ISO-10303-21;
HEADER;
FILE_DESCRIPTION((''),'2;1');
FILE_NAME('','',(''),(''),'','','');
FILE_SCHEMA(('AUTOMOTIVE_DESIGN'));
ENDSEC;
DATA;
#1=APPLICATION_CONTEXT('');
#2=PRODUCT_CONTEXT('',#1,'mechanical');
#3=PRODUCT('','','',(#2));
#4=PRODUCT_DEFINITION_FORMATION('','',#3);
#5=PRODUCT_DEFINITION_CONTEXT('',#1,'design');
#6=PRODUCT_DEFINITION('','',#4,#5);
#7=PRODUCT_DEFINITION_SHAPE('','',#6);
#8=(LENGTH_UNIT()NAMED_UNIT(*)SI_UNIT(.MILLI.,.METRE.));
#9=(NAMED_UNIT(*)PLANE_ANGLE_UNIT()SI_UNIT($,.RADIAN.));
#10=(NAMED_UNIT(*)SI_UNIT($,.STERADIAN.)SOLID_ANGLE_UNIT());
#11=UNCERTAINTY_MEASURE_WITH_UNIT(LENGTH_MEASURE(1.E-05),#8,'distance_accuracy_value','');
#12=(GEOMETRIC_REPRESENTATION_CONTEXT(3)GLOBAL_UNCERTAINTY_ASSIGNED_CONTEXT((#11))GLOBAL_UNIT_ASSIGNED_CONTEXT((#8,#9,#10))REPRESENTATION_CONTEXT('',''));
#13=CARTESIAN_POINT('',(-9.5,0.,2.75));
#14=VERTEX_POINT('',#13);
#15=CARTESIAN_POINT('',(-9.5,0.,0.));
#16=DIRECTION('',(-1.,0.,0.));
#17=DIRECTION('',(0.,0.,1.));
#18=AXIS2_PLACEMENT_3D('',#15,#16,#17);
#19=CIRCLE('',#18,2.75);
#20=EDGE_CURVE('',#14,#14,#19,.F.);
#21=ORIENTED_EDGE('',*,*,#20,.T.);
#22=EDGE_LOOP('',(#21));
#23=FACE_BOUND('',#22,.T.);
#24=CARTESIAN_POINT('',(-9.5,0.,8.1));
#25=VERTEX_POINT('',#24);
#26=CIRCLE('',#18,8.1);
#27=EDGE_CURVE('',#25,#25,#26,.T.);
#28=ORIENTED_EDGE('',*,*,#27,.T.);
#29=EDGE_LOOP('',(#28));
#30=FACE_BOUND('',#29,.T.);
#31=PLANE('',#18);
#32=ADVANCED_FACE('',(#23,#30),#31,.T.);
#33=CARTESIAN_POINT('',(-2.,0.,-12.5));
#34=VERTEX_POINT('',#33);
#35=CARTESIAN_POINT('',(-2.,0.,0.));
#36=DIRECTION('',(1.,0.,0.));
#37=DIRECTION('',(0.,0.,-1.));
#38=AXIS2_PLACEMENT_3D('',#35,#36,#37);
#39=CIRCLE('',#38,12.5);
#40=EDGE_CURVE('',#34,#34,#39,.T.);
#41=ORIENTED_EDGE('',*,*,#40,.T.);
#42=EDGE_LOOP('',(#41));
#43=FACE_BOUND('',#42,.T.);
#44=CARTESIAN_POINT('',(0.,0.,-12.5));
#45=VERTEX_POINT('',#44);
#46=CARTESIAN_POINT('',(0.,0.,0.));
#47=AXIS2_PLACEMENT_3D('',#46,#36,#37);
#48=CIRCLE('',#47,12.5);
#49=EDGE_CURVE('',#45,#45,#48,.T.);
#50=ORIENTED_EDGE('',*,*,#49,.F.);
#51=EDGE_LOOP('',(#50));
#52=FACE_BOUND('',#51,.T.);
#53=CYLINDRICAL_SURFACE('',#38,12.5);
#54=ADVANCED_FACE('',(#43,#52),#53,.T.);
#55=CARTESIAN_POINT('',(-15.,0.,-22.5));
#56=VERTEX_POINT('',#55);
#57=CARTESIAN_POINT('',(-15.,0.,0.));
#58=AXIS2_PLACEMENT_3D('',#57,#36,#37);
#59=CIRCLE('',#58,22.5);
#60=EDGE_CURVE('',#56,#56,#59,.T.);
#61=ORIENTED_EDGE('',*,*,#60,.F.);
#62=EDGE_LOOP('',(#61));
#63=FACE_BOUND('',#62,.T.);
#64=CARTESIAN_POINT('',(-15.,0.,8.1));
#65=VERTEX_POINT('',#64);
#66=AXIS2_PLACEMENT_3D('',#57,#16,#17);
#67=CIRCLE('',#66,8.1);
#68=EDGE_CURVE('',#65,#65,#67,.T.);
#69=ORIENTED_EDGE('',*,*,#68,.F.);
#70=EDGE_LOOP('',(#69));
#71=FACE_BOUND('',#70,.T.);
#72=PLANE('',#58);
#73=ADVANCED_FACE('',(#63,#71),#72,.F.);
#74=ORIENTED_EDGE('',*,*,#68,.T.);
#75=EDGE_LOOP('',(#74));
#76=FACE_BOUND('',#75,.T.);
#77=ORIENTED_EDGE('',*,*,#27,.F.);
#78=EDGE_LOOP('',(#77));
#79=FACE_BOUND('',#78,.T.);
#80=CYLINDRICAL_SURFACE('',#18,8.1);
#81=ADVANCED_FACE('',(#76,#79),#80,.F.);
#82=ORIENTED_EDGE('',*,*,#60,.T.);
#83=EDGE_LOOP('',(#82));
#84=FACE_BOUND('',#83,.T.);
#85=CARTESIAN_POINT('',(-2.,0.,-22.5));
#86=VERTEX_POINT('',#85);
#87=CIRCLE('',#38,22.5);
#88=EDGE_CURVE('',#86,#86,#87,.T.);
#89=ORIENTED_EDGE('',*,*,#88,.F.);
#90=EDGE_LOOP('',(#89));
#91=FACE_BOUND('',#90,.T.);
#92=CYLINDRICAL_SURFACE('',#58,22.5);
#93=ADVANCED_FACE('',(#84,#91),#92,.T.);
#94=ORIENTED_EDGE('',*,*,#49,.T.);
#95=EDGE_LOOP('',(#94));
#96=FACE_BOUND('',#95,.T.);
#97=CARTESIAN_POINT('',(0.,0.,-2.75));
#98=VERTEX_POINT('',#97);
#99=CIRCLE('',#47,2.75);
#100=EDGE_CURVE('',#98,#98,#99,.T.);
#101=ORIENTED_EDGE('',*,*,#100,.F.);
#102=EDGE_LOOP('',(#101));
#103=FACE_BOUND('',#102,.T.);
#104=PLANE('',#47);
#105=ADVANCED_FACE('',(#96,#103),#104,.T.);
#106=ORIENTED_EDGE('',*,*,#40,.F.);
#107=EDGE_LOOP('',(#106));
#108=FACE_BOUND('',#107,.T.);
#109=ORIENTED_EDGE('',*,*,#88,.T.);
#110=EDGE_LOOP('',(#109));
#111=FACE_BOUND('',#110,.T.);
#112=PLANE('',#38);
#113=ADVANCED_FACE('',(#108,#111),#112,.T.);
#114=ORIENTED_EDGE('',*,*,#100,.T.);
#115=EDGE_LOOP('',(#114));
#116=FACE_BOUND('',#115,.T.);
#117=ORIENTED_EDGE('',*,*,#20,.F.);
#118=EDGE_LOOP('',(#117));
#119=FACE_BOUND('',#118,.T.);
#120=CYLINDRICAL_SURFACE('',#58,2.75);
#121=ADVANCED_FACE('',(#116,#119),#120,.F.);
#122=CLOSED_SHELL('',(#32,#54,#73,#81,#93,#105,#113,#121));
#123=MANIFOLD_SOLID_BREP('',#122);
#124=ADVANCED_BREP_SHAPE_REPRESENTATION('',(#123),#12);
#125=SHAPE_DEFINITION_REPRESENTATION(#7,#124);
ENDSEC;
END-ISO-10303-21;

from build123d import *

# Parameters (mm, degrees)
SKETCH1_R               = 22.5
BOSS_EXTRUDE1_DEPTH     = 15
SKETCH2_R               = 2.75
CUT_EXTRUDE1_DEPTH      = 36.178118199
SKETCH5_R               = 8.1
CUT_EXTRUDE2_DEPTH      = 5.5
SKETCH28_R              = 22.5
SKETCH28_R_2            = 12.5
CUT_EXTRUDE_THIN1_DEPTH = 2


with BuildPart() as part:
    # Sketch1 → Boss-Extrude1 (new body)
    with BuildSketch(Plane(origin=(0, 0, 0), x_dir=(0, 0, -1), z_dir=(1, 0, 0))):
        Circle(SKETCH1_R)
    extrude(amount=-BOSS_EXTRUDE1_DEPTH)

    # Sketch2 → Cut-Extrude1 (cut, through all)
    with BuildSketch(Plane(origin=(0, 0, 0), x_dir=(0, 0, -1), z_dir=(1, 0, 0))):
        Circle(SKETCH2_R)
    extrude(amount=-CUT_EXTRUDE1_DEPTH, mode=Mode.SUBTRACT)

    # Sketch5 → Cut-Extrude2 (cut)
    with BuildSketch(Plane.ZY.offset(15)):
        Circle(SKETCH5_R)
    extrude(amount=-CUT_EXTRUDE2_DEPTH, mode=Mode.SUBTRACT)

    # Sketch28 → Cut-Extrude-Thin1 (cut)
    with BuildSketch(Plane(origin=(0, 0, 0), x_dir=(0, 0, -1), z_dir=(1, 0, 0))):
        Circle(SKETCH28_R)
        Circle(SKETCH28_R_2, mode=Mode.SUBTRACT)
    extrude(amount=-CUT_EXTRUDE_THIN1_DEPTH, mode=Mode.SUBTRACT)


solid = part.part
